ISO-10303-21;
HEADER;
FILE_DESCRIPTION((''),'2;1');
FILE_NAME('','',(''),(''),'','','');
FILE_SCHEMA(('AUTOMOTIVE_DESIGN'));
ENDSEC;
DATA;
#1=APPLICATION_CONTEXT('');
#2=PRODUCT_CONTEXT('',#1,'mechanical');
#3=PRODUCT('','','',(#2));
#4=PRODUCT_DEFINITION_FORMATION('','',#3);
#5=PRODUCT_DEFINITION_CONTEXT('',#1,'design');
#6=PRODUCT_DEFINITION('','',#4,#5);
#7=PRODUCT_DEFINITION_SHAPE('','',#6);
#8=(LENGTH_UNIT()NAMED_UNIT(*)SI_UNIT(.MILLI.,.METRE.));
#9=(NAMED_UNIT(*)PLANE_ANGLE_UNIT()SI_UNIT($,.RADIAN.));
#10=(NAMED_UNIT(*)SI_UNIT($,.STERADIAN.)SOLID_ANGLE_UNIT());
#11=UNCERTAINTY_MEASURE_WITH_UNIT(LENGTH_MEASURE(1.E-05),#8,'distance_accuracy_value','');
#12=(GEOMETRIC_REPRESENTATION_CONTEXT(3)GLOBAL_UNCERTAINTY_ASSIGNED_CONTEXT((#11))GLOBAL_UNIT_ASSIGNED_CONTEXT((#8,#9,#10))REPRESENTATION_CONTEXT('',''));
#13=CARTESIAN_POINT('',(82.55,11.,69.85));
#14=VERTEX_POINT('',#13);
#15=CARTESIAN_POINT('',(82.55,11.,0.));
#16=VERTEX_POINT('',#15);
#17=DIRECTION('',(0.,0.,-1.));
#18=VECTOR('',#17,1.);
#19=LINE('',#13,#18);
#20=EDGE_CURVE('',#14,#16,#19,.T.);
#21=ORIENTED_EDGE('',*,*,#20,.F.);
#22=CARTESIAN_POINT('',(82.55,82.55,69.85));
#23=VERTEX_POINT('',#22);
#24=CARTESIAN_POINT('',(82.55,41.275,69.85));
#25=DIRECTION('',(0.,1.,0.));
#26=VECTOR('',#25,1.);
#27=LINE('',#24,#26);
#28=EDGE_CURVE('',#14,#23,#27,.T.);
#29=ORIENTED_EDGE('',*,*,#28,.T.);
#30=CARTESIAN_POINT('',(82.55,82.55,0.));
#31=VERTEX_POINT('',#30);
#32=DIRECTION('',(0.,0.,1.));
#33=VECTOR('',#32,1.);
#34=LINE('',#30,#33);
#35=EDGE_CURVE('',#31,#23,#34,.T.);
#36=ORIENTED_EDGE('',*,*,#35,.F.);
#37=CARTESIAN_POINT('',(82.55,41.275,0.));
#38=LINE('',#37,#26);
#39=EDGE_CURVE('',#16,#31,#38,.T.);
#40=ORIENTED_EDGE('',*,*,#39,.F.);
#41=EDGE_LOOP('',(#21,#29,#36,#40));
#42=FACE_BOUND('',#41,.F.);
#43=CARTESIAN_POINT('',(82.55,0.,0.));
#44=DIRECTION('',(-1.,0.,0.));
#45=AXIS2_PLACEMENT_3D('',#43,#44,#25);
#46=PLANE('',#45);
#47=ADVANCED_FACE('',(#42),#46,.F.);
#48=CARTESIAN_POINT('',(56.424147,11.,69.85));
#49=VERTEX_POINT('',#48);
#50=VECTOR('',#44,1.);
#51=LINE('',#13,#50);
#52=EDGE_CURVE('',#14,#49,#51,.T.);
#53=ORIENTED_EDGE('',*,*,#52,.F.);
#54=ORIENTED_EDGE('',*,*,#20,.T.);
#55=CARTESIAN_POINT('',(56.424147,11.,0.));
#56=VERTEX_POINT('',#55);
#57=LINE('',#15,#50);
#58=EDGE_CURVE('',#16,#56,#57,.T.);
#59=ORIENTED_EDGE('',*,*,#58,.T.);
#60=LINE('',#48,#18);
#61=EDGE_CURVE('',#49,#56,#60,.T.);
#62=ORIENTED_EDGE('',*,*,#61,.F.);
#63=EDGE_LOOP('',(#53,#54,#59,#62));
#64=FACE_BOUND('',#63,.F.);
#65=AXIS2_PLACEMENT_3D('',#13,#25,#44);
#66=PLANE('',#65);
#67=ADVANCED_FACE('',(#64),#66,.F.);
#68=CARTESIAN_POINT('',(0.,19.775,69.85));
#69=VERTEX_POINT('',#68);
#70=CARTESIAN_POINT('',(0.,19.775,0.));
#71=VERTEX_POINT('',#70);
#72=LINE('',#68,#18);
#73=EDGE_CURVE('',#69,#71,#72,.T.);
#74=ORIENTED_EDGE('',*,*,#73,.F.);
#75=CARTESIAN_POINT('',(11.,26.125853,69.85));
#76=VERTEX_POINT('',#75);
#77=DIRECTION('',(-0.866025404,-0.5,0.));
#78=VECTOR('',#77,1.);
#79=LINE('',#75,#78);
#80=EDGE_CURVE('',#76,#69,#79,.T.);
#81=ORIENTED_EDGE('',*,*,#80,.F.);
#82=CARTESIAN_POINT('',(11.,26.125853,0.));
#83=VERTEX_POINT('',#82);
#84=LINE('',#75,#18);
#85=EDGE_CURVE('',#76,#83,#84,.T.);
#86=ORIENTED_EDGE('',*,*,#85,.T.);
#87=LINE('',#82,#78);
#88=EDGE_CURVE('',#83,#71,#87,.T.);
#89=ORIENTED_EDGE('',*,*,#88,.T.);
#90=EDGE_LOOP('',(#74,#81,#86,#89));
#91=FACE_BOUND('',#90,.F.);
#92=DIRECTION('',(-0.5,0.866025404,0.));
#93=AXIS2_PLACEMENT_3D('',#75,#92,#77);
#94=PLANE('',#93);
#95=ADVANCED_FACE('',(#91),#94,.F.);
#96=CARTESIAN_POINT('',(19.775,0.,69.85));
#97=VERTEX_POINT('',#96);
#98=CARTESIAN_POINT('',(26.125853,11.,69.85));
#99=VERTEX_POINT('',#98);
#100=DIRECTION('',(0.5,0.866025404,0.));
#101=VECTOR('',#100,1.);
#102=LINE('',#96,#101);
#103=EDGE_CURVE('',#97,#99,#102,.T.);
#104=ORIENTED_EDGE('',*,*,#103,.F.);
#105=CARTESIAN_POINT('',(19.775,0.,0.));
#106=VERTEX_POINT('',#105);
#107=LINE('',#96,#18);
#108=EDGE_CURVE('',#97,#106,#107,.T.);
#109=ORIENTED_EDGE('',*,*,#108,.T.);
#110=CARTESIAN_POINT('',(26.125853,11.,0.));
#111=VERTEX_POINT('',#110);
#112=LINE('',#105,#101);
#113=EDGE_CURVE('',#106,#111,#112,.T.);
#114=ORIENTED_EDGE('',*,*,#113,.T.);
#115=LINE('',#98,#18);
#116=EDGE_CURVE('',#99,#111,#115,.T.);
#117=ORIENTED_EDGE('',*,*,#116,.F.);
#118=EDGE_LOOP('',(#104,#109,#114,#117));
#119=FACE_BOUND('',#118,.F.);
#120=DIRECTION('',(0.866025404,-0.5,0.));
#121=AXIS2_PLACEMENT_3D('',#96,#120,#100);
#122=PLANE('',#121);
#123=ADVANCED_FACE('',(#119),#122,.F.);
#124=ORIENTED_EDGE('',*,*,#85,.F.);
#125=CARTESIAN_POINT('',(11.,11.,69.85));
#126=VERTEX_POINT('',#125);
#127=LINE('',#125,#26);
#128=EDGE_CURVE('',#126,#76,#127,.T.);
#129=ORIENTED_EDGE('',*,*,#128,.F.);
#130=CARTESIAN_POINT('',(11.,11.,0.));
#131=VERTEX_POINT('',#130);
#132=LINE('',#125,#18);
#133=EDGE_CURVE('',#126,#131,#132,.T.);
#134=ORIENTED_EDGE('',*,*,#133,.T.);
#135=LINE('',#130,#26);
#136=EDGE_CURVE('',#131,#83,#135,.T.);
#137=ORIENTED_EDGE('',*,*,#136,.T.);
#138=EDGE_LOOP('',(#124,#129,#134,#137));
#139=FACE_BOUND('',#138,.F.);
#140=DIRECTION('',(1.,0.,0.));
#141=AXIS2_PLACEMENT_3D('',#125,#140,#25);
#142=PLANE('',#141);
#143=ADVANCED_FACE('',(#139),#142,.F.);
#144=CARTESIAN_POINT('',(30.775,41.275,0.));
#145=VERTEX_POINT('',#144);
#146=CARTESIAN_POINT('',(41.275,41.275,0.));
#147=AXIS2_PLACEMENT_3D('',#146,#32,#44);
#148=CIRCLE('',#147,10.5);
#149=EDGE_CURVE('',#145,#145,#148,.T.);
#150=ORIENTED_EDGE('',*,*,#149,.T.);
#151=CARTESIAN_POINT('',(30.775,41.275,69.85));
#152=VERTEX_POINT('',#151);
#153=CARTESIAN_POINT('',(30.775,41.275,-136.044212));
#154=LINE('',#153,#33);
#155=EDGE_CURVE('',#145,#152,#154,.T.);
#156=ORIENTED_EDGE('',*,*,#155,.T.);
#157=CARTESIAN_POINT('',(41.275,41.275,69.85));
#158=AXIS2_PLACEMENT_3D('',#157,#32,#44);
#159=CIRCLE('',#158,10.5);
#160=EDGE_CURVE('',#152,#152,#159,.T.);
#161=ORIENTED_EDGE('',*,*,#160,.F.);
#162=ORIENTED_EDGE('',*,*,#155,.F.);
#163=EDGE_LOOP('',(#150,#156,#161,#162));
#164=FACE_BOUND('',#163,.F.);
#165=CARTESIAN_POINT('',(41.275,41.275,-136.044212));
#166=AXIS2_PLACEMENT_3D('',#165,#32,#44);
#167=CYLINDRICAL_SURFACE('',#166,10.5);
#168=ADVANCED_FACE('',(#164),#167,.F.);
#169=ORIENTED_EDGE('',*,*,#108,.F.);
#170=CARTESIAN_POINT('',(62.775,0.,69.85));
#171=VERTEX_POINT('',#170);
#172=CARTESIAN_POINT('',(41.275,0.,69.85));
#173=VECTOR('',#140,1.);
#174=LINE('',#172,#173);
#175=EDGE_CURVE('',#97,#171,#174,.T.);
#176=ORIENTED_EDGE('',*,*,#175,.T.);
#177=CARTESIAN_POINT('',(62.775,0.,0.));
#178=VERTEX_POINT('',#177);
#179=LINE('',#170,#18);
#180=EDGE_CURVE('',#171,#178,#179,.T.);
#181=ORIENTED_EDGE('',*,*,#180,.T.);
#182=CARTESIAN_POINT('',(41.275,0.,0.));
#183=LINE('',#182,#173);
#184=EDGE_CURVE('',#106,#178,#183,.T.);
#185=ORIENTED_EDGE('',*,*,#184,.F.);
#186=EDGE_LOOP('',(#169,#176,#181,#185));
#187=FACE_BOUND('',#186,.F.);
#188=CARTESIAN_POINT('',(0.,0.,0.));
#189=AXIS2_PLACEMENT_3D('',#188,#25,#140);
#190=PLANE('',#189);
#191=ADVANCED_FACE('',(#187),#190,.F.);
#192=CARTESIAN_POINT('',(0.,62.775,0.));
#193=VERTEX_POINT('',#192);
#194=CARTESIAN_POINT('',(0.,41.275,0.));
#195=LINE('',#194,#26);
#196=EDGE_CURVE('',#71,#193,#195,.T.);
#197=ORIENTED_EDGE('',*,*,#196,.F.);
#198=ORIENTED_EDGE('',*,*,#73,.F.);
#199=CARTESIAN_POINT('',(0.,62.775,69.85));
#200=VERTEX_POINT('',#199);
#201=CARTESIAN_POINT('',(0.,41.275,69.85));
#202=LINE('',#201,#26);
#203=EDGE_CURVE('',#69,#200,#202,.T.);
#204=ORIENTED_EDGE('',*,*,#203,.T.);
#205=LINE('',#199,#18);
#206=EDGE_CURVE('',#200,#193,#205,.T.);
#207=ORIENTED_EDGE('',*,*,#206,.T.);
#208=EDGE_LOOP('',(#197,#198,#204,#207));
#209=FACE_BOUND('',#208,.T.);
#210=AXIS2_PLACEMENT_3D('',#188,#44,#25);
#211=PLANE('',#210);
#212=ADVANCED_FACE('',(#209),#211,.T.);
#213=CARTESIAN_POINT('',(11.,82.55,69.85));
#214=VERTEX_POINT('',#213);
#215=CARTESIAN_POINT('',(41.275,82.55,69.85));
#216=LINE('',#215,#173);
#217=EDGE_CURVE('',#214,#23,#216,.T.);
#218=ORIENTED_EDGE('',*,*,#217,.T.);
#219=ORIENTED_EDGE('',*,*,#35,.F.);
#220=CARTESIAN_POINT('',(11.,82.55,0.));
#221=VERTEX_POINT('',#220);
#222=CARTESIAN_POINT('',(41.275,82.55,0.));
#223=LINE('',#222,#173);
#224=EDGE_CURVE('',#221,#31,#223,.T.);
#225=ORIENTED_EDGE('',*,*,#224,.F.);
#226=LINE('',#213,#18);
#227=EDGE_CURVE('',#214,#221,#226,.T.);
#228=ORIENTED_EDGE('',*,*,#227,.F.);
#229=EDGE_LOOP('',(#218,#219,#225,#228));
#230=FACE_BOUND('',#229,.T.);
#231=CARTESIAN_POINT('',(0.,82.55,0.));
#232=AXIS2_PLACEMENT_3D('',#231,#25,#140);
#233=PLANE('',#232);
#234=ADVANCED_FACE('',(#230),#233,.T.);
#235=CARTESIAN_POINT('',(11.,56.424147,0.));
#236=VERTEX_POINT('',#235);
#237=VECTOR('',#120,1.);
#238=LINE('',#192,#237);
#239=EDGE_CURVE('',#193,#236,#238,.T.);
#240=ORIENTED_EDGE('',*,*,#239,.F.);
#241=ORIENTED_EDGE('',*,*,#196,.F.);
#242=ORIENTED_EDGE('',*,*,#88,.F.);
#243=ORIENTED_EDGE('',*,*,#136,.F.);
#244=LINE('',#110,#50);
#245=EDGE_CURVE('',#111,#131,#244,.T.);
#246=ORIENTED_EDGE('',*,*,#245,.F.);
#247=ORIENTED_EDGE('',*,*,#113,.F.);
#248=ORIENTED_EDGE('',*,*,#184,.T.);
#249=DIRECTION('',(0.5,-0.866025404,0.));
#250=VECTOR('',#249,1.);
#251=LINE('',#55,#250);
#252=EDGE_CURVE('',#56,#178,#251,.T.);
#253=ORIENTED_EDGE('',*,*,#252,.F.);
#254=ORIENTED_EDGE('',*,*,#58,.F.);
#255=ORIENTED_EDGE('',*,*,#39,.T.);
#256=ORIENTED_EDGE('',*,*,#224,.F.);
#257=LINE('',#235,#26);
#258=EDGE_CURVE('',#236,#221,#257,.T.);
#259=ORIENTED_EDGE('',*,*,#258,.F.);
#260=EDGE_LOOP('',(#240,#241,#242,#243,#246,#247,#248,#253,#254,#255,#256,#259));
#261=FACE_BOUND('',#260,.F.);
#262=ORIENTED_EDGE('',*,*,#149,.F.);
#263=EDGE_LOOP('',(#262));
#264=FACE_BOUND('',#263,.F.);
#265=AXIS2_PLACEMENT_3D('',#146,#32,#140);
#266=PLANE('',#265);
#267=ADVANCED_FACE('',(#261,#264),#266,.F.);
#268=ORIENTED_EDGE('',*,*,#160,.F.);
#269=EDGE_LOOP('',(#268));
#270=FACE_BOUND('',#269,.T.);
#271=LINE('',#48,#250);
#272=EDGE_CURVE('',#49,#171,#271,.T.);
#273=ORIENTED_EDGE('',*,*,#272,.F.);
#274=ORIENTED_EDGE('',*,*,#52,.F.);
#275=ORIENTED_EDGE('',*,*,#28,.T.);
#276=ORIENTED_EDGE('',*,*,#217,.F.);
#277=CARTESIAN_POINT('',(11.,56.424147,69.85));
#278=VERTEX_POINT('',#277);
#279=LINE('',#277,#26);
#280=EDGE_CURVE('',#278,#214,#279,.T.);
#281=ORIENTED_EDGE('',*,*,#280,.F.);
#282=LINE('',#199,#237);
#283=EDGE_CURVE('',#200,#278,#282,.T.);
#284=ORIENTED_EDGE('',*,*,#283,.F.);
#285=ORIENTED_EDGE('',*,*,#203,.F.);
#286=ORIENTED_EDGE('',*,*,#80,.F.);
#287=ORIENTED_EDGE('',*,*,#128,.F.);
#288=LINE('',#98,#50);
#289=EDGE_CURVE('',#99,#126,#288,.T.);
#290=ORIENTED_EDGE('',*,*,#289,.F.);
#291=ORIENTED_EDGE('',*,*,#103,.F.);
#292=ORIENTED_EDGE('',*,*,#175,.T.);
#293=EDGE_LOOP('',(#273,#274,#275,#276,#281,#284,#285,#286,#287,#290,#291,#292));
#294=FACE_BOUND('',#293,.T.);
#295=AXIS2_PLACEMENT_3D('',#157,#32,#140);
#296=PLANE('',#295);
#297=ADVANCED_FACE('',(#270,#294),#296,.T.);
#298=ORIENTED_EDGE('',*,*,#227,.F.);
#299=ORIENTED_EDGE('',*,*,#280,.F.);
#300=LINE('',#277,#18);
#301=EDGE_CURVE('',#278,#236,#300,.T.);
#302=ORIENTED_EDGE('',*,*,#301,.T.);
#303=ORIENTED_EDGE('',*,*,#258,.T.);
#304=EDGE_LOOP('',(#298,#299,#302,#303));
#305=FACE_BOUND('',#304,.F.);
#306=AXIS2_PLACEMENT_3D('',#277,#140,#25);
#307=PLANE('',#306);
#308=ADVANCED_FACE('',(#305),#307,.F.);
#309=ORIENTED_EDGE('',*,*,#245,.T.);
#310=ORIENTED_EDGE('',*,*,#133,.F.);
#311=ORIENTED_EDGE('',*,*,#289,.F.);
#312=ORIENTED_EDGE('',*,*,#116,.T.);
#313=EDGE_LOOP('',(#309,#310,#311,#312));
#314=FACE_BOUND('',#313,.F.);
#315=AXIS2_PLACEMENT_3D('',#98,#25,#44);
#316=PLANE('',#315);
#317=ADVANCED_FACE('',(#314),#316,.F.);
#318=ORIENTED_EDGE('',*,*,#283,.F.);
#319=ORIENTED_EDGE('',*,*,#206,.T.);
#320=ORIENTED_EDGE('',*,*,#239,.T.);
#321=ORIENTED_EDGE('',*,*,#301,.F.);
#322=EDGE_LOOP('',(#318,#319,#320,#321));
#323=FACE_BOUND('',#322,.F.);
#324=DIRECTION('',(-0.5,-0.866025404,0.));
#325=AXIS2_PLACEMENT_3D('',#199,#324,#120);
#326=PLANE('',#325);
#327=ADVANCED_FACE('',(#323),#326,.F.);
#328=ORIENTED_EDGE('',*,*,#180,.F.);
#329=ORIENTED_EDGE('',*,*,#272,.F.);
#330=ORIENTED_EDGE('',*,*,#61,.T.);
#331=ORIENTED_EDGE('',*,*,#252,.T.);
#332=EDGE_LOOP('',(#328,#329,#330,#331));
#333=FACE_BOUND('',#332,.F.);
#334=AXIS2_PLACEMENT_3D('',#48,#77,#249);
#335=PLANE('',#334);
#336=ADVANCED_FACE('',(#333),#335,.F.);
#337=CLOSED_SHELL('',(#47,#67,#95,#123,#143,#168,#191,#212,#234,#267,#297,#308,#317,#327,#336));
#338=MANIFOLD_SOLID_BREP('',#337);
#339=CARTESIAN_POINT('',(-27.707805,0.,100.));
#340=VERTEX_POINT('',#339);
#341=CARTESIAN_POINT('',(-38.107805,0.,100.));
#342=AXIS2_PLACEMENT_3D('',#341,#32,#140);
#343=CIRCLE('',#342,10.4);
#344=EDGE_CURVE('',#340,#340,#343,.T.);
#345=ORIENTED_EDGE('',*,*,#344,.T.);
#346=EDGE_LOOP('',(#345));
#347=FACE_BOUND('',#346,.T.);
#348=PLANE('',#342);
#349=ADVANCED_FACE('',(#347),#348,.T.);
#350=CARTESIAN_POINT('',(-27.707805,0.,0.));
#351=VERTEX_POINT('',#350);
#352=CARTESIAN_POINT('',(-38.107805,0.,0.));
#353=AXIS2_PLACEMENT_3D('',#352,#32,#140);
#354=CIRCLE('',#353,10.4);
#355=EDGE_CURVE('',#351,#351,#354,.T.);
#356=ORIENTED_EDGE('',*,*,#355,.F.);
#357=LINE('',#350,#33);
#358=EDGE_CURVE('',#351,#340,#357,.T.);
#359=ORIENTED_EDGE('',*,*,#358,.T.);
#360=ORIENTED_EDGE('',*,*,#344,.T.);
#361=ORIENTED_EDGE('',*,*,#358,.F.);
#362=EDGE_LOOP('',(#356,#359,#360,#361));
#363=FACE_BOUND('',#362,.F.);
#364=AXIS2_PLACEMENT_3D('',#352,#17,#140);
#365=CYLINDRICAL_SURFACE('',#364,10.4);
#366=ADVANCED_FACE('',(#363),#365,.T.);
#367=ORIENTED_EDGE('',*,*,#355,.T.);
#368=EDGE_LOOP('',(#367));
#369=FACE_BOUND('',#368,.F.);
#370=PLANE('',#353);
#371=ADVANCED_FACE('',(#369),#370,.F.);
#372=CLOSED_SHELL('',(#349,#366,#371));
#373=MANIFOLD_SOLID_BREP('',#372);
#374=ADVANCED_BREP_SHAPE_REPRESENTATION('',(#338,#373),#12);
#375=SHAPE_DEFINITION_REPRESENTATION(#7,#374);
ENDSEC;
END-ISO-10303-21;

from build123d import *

# Parameters (mm, degrees)
F0_W     = 82.55
F0_H     = 82.55
F1_DEPTH = 69.85
F3_DEPTH = 69.85
F4_D     = 21
F5_R     = 10.4
F6_DEPTH = 100


with BuildPart() as f1:
    # F0 (on Top) → F1 (new body)
    with BuildSketch(Plane.XY):
        with Locations((41.275, 41.275)):
            Rectangle(F0_W, F0_H)
    extrude(amount=F1_DEPTH)

    # F2 (on face) → F3 (cut, through all)
    with BuildSketch(Plane.XY.offset(69.85)):
        Polygon((0, 62.775), (11, 56.4241470389), (11, 82.55), (0, 82.55), align=None)
        Polygon((11, 26.1258529611), (0, 19.775), (0, 0), (19.775, 0), (26.1258529611, 11), (11, 11), align=None)
        Polygon((82.55, 0), (82.55, 11), (56.4241470389, 11), (62.775, 0), align=None)
    extrude(amount=-F3_DEPTH, mode=Mode.SUBTRACT)

    # F4 (through all)
    with Locations(Plane(origin=(0, 0, 0), x_dir=(1, 0, 0), z_dir=(0, 0, -1))):
        with Locations((41.275, -41.275)):
            Hole(F4_D / 2)


with BuildPart() as f6:
    # F5 (on Top) → F6 (new body)
    with BuildSketch(Plane.XY):
        with Locations((-38.1078049541, 0)):
            Circle(F5_R)
    extrude(amount=F6_DEPTH)


solid = Compound([f1.part, f6.part])
